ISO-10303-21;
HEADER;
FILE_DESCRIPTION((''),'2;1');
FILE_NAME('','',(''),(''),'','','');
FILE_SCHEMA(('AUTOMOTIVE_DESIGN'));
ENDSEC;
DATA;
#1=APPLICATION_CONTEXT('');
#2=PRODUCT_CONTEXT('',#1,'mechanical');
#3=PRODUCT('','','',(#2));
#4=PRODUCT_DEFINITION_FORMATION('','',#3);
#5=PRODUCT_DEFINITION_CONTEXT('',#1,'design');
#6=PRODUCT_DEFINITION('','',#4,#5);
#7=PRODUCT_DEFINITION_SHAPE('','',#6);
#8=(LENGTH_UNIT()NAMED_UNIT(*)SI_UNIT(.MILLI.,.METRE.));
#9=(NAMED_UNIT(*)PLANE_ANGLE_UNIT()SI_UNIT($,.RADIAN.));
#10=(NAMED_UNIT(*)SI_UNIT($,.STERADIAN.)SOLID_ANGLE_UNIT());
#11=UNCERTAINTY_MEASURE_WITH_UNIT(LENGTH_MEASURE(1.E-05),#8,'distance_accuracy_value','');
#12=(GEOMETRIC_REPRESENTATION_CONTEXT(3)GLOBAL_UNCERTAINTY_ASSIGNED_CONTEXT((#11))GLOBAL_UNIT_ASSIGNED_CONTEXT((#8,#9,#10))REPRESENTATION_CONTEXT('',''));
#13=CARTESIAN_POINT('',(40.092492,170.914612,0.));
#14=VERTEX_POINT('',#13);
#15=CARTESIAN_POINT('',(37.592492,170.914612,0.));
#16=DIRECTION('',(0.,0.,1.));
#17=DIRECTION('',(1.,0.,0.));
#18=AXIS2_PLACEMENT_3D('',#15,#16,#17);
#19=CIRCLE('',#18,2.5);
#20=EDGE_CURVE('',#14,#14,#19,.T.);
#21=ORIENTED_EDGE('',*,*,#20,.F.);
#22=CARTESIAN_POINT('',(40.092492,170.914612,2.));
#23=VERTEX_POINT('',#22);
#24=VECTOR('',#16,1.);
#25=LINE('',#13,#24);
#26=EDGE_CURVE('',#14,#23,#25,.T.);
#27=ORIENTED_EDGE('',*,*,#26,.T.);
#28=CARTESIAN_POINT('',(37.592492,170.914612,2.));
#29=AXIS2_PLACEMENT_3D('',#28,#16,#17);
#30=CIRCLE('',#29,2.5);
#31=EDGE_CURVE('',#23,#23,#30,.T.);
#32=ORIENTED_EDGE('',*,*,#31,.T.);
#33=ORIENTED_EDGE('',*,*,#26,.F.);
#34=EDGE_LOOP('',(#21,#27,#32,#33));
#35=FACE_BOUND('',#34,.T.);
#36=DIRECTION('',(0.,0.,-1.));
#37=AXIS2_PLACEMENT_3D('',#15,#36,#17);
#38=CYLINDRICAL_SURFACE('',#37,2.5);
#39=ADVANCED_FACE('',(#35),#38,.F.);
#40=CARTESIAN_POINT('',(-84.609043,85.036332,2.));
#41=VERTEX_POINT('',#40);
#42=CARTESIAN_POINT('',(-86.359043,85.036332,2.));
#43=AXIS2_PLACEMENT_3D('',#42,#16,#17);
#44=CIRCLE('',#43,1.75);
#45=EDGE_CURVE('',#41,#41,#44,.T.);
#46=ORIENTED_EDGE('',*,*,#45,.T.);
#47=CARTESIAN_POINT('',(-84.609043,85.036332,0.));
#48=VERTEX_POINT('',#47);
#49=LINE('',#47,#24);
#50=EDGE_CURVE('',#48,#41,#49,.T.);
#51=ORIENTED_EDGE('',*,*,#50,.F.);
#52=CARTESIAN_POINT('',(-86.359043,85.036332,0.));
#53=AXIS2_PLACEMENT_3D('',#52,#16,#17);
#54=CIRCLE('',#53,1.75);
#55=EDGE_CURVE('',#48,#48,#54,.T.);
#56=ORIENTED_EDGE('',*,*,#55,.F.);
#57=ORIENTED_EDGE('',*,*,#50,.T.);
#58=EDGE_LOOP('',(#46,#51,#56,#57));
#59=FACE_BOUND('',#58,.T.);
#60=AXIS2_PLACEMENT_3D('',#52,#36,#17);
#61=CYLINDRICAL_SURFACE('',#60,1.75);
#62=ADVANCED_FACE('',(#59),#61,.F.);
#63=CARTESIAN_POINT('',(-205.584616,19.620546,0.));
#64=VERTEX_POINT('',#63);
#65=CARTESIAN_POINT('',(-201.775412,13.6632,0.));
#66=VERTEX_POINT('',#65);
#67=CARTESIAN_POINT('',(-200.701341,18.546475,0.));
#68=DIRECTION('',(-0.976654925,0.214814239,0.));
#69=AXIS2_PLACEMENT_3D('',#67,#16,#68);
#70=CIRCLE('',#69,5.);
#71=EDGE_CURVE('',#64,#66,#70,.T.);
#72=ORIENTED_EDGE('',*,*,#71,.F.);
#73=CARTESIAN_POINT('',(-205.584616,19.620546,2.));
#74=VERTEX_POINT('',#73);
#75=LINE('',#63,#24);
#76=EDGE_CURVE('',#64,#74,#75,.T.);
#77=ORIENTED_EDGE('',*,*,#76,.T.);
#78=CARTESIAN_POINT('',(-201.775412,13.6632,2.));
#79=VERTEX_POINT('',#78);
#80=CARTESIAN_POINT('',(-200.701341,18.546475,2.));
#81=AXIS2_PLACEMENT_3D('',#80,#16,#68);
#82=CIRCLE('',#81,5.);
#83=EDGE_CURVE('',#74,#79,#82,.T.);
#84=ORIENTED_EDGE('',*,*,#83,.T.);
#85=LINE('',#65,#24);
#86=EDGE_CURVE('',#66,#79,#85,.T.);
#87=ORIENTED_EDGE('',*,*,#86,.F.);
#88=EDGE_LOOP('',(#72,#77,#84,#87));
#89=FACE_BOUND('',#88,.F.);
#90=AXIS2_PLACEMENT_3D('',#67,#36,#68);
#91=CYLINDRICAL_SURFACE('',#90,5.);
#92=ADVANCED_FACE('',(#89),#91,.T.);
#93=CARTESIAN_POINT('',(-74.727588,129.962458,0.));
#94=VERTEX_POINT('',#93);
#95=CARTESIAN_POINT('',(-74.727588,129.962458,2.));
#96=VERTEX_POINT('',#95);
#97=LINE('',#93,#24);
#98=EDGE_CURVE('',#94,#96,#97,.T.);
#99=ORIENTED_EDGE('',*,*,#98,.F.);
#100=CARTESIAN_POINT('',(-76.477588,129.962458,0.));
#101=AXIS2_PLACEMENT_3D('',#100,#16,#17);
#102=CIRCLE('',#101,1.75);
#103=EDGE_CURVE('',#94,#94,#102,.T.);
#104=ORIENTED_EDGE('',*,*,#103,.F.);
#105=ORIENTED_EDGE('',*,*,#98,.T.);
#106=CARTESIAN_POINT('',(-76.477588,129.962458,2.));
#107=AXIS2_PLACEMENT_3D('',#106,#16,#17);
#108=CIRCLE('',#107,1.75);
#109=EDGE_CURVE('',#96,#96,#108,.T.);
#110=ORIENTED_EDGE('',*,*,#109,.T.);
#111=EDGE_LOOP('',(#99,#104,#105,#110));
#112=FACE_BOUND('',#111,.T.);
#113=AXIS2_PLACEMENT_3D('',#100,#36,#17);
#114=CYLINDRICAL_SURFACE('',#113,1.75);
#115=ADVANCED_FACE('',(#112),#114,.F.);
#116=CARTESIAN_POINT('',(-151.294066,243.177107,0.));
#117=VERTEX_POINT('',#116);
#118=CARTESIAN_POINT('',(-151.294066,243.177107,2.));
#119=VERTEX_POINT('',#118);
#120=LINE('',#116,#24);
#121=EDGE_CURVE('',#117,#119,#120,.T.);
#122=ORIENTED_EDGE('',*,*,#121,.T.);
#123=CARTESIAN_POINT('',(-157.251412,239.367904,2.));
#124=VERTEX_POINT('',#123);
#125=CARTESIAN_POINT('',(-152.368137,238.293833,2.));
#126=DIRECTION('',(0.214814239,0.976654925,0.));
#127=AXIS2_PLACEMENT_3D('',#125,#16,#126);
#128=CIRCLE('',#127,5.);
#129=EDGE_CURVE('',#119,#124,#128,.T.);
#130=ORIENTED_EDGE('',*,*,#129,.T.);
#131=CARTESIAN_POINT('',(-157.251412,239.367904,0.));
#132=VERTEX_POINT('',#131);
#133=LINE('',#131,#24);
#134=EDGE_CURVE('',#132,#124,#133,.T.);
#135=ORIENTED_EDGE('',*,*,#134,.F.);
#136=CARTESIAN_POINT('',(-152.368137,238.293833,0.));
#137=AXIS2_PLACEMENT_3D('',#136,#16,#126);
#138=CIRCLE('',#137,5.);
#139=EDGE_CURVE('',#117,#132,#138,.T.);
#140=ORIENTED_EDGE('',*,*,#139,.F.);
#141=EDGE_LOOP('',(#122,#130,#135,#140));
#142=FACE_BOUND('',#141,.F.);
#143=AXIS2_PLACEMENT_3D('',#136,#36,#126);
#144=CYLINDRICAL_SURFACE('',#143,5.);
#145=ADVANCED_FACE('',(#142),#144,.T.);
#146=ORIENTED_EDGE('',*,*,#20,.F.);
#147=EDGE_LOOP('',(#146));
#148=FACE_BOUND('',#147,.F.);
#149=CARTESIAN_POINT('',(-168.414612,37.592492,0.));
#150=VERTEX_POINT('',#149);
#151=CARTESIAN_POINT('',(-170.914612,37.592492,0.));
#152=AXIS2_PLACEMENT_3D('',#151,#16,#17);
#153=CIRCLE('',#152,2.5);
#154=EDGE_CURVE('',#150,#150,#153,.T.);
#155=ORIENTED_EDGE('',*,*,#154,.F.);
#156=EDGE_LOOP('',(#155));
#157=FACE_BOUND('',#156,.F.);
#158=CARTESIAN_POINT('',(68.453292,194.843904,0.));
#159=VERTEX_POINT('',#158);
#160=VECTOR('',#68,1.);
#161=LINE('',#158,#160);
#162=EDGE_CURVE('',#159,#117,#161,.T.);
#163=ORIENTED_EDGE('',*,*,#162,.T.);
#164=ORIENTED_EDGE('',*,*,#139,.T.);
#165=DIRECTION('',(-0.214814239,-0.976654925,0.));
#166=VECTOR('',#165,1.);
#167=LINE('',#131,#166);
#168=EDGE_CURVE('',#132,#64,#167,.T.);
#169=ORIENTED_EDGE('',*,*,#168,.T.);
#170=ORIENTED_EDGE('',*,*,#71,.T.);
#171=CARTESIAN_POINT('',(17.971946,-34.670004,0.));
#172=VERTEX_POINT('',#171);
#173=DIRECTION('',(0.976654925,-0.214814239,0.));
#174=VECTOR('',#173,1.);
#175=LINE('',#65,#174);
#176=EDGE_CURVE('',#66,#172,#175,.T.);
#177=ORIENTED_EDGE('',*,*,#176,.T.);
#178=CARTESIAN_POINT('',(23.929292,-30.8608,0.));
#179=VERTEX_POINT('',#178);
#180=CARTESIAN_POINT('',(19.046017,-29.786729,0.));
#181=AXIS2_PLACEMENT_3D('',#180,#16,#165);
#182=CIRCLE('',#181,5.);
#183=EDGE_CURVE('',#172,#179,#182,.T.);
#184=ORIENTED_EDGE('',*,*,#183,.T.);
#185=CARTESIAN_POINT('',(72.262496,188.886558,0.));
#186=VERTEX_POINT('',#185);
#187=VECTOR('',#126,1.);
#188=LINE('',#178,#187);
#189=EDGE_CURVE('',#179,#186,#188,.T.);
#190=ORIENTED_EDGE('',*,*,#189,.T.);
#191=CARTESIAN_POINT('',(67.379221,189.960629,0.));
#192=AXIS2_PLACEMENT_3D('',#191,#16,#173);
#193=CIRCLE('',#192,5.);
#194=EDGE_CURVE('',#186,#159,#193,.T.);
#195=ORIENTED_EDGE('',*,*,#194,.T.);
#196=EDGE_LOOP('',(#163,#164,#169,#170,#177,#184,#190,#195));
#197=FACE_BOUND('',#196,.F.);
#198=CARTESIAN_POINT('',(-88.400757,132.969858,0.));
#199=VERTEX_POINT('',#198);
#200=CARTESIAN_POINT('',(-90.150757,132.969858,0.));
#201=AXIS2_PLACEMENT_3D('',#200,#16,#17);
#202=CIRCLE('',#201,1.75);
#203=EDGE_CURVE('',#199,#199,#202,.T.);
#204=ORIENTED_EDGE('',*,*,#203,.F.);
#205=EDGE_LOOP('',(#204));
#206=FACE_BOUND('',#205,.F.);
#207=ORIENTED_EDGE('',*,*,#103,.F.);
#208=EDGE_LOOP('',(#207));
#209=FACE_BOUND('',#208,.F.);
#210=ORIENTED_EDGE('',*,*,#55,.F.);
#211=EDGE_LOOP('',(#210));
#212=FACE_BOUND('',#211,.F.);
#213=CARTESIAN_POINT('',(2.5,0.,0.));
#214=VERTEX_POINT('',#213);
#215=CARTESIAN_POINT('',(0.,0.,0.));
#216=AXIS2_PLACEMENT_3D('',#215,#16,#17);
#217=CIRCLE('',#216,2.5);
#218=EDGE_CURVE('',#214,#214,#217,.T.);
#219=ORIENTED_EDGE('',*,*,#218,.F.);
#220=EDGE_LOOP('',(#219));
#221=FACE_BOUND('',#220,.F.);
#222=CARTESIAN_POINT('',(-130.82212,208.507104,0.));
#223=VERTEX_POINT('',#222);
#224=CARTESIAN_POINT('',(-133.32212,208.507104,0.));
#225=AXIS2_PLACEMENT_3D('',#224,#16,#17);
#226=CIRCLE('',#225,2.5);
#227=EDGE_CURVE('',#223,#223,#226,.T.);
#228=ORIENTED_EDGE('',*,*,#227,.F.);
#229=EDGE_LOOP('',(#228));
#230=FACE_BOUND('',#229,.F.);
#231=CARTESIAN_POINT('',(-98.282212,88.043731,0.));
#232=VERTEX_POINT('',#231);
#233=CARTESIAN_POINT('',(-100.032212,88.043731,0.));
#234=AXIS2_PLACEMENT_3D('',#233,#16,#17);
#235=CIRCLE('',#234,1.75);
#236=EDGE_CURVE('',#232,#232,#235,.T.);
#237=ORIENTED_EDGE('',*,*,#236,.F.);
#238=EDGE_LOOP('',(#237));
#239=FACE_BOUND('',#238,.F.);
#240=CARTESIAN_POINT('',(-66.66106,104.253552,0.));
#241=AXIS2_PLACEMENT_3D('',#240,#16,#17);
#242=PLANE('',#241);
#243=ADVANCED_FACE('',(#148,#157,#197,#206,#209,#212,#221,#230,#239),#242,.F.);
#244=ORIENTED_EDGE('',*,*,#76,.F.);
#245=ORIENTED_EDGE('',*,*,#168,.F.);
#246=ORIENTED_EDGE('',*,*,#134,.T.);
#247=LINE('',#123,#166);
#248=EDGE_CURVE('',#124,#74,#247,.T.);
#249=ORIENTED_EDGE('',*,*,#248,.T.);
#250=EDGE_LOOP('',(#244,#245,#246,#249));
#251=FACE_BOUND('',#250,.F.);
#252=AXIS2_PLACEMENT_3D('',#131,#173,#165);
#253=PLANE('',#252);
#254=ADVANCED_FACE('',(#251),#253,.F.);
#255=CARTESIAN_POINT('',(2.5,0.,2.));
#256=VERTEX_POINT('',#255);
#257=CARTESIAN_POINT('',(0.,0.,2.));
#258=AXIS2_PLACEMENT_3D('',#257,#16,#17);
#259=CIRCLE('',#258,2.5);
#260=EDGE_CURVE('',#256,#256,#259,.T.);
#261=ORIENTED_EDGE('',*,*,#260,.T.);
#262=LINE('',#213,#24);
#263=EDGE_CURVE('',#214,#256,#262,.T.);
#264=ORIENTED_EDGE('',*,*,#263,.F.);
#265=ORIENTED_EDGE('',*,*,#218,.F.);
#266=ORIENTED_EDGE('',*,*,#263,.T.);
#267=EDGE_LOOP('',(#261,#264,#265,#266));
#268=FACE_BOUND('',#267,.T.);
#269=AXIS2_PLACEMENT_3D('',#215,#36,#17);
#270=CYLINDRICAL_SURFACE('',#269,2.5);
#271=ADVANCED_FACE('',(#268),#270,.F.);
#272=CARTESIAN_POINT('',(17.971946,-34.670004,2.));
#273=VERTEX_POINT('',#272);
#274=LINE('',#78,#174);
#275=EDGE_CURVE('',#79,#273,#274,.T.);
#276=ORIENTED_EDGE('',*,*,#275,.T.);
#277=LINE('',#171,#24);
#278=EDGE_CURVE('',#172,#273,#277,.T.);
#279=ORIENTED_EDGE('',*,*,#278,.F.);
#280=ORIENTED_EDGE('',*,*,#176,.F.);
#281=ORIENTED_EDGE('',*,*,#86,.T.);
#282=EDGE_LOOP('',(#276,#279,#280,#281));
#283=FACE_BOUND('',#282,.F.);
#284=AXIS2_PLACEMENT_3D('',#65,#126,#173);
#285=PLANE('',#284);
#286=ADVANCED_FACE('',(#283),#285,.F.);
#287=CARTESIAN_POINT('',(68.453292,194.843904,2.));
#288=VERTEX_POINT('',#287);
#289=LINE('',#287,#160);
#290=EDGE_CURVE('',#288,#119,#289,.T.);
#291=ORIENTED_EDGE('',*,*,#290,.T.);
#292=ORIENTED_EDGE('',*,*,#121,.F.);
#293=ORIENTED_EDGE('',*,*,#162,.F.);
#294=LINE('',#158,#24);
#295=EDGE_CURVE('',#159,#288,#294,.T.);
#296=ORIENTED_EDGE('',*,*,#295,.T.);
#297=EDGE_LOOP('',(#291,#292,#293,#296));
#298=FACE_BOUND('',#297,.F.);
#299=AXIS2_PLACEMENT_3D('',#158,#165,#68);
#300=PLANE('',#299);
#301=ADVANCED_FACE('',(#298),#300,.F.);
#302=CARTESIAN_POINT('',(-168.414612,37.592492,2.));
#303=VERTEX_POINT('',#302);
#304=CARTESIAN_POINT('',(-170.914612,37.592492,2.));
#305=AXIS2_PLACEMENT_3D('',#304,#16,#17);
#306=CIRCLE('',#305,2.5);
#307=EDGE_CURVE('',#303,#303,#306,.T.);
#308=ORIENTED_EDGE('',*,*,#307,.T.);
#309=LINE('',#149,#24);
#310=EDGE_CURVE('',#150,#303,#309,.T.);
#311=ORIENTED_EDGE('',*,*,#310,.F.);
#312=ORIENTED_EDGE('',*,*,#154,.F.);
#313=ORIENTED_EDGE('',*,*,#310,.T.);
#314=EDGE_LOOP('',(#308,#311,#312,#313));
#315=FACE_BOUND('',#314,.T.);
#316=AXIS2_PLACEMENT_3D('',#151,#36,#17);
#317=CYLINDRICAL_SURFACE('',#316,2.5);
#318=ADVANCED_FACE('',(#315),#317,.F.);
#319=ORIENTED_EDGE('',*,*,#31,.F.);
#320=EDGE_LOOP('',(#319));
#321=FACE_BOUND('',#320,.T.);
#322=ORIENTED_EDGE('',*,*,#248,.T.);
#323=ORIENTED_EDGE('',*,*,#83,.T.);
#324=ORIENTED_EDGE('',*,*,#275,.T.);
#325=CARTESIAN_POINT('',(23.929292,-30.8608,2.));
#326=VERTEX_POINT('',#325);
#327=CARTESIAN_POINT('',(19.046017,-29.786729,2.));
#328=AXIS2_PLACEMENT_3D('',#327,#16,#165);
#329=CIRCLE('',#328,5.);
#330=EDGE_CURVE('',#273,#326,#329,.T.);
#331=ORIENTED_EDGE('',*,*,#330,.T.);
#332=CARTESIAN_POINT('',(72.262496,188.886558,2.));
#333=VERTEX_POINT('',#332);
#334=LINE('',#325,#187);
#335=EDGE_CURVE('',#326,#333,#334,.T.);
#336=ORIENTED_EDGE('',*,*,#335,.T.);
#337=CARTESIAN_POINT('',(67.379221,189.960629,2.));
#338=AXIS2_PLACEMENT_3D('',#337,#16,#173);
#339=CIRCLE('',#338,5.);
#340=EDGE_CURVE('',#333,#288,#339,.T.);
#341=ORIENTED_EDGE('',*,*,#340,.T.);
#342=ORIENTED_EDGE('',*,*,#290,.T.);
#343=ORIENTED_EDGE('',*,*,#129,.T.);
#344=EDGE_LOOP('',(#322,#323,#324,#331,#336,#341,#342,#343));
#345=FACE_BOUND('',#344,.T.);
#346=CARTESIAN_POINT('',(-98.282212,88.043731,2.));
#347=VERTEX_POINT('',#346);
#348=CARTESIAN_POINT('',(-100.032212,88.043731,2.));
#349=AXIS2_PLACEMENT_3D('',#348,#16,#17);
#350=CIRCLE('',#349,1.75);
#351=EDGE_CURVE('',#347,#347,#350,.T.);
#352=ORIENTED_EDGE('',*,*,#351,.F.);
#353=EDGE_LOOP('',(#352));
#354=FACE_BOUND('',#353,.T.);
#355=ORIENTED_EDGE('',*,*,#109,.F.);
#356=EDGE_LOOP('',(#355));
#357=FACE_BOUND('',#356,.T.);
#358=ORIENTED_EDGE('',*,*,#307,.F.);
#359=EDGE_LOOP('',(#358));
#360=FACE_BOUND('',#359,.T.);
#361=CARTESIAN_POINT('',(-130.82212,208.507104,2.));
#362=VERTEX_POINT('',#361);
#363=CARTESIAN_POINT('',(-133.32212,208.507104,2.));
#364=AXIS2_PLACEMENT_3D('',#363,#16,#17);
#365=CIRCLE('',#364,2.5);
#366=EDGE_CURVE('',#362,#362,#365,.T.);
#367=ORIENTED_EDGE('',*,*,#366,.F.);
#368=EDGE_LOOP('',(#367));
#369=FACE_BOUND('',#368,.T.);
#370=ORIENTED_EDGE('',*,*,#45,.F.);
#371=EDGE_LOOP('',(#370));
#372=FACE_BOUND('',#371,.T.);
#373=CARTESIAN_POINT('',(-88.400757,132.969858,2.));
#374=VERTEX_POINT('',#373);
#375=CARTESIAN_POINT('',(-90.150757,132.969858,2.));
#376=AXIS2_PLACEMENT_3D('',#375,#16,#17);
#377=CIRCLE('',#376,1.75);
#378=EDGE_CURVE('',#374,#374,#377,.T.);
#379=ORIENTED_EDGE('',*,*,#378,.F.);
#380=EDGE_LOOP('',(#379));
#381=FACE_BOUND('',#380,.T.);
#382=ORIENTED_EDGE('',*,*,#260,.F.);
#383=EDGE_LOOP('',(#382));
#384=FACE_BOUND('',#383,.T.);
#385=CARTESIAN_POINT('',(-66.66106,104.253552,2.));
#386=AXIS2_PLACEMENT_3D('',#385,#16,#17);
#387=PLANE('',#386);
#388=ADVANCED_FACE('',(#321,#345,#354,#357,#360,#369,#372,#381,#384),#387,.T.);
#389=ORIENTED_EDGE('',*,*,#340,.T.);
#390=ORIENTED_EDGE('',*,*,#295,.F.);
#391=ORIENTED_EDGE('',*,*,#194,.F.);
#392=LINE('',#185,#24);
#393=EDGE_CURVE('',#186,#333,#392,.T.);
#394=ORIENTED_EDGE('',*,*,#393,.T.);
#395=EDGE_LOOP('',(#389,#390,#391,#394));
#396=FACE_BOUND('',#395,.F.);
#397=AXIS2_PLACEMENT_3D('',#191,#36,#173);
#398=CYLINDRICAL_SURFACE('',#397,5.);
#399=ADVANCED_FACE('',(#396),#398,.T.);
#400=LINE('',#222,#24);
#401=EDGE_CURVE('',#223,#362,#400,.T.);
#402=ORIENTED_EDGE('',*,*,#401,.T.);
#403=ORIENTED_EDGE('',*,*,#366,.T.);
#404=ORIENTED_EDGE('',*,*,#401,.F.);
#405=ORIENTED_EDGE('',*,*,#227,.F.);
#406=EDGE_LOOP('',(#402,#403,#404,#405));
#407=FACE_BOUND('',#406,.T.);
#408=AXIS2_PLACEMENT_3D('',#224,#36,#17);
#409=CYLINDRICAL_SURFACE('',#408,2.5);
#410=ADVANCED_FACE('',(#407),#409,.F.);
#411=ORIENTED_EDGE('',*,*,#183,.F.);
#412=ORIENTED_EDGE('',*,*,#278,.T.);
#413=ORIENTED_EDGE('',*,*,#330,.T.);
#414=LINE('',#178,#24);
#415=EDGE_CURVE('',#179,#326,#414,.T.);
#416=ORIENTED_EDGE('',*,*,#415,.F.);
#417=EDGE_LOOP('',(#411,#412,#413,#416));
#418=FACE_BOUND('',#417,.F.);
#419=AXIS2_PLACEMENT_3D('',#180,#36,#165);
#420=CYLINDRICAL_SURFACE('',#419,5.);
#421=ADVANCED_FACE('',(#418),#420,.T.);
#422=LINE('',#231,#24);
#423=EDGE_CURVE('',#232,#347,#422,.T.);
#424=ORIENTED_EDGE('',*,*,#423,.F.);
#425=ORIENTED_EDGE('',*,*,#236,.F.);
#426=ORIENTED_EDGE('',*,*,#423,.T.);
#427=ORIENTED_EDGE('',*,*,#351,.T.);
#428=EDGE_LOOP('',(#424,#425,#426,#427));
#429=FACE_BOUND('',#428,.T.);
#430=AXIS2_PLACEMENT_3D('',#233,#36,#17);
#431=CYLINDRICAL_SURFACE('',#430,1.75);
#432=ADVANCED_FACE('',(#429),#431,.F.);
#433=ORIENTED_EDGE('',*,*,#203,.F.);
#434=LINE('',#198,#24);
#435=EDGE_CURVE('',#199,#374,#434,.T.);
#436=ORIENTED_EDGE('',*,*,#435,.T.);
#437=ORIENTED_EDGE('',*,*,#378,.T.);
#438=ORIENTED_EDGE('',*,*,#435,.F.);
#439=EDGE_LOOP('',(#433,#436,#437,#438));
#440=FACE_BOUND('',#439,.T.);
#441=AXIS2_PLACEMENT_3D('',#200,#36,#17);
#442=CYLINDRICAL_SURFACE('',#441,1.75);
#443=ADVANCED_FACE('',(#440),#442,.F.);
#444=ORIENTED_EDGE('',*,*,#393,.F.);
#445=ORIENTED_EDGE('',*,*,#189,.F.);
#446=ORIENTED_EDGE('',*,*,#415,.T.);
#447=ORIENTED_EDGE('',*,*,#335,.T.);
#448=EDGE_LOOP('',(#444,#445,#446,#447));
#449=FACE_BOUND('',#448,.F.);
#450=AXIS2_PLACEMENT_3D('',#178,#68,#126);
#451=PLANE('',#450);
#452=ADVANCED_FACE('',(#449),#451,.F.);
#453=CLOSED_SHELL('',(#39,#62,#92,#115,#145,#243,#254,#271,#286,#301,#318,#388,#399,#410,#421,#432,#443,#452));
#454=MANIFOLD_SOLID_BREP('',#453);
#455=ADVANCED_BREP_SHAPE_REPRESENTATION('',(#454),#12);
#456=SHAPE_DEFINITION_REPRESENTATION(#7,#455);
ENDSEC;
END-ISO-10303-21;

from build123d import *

# Parameters (mm, degrees)
ESQUISSE1_R        = 2.5
ESQUISSE1_R_2      = 1.75
BOSS_EXTRU_1_DEPTH = 2


with BuildPart() as part:
    # Esquisse1 → Boss.-Extru.1 (new body)
    with BuildSketch(Plane.XY):
        with BuildLine():
            Line((-201.77541219, 13.663200047), (17.971945957, -34.670003728))
            ThreePointArc((17.971945957, -34.670003728), (21.739530729, -33.99920873), (23.929291778, -30.860800298))
            Line((23.929291778, -30.860800298), (72.262495553, 188.88655785))
            ThreePointArc((72.262495553, 188.88655785), (71.591700555, 192.654142622), (68.453292123, 194.843903671))
            Line((68.453292123, 194.843903671), (-151.294066025, 243.177107446))
            ThreePointArc((-151.294066025, 243.177107446), (-155.061650796, 242.506312448), (-157.251411845, 239.367904015))
            Line((-157.251411845, 239.367904015), (-205.584615621, 19.620545868))
            ThreePointArc((-205.584615621, 19.620545868), (-204.913820623, 15.852961096), (-201.77541219, 13.663200047))
        make_face()
        with Locations((-133.322120067, 208.507103718)):
            Circle(ESQUISSE1_R, mode=Mode.SUBTRACT)
        with Locations((-170.914611893, 37.592491825)):
            Circle(ESQUISSE1_R, mode=Mode.SUBTRACT)
        Circle(ESQUISSE1_R, mode=Mode.SUBTRACT)
        with Locations((-100.0322124, 88.043731079)):
            Circle(ESQUISSE1_R_2, mode=Mode.SUBTRACT)
        with Locations((37.592491825, 170.914611893)):
            Circle(ESQUISSE1_R, mode=Mode.SUBTRACT)
        with Locations((-86.359043449, 85.036331733)):
            Circle(ESQUISSE1_R_2, mode=Mode.SUBTRACT)
        with Locations((-76.477588455, 129.962458287)):
            Circle(ESQUISSE1_R_2, mode=Mode.SUBTRACT)
        with Locations((-90.150757406, 132.969857633)):
            Circle(ESQUISSE1_R_2, mode=Mode.SUBTRACT)
    extrude(amount=BOSS_EXTRU_1_DEPTH)


solid = part.part
